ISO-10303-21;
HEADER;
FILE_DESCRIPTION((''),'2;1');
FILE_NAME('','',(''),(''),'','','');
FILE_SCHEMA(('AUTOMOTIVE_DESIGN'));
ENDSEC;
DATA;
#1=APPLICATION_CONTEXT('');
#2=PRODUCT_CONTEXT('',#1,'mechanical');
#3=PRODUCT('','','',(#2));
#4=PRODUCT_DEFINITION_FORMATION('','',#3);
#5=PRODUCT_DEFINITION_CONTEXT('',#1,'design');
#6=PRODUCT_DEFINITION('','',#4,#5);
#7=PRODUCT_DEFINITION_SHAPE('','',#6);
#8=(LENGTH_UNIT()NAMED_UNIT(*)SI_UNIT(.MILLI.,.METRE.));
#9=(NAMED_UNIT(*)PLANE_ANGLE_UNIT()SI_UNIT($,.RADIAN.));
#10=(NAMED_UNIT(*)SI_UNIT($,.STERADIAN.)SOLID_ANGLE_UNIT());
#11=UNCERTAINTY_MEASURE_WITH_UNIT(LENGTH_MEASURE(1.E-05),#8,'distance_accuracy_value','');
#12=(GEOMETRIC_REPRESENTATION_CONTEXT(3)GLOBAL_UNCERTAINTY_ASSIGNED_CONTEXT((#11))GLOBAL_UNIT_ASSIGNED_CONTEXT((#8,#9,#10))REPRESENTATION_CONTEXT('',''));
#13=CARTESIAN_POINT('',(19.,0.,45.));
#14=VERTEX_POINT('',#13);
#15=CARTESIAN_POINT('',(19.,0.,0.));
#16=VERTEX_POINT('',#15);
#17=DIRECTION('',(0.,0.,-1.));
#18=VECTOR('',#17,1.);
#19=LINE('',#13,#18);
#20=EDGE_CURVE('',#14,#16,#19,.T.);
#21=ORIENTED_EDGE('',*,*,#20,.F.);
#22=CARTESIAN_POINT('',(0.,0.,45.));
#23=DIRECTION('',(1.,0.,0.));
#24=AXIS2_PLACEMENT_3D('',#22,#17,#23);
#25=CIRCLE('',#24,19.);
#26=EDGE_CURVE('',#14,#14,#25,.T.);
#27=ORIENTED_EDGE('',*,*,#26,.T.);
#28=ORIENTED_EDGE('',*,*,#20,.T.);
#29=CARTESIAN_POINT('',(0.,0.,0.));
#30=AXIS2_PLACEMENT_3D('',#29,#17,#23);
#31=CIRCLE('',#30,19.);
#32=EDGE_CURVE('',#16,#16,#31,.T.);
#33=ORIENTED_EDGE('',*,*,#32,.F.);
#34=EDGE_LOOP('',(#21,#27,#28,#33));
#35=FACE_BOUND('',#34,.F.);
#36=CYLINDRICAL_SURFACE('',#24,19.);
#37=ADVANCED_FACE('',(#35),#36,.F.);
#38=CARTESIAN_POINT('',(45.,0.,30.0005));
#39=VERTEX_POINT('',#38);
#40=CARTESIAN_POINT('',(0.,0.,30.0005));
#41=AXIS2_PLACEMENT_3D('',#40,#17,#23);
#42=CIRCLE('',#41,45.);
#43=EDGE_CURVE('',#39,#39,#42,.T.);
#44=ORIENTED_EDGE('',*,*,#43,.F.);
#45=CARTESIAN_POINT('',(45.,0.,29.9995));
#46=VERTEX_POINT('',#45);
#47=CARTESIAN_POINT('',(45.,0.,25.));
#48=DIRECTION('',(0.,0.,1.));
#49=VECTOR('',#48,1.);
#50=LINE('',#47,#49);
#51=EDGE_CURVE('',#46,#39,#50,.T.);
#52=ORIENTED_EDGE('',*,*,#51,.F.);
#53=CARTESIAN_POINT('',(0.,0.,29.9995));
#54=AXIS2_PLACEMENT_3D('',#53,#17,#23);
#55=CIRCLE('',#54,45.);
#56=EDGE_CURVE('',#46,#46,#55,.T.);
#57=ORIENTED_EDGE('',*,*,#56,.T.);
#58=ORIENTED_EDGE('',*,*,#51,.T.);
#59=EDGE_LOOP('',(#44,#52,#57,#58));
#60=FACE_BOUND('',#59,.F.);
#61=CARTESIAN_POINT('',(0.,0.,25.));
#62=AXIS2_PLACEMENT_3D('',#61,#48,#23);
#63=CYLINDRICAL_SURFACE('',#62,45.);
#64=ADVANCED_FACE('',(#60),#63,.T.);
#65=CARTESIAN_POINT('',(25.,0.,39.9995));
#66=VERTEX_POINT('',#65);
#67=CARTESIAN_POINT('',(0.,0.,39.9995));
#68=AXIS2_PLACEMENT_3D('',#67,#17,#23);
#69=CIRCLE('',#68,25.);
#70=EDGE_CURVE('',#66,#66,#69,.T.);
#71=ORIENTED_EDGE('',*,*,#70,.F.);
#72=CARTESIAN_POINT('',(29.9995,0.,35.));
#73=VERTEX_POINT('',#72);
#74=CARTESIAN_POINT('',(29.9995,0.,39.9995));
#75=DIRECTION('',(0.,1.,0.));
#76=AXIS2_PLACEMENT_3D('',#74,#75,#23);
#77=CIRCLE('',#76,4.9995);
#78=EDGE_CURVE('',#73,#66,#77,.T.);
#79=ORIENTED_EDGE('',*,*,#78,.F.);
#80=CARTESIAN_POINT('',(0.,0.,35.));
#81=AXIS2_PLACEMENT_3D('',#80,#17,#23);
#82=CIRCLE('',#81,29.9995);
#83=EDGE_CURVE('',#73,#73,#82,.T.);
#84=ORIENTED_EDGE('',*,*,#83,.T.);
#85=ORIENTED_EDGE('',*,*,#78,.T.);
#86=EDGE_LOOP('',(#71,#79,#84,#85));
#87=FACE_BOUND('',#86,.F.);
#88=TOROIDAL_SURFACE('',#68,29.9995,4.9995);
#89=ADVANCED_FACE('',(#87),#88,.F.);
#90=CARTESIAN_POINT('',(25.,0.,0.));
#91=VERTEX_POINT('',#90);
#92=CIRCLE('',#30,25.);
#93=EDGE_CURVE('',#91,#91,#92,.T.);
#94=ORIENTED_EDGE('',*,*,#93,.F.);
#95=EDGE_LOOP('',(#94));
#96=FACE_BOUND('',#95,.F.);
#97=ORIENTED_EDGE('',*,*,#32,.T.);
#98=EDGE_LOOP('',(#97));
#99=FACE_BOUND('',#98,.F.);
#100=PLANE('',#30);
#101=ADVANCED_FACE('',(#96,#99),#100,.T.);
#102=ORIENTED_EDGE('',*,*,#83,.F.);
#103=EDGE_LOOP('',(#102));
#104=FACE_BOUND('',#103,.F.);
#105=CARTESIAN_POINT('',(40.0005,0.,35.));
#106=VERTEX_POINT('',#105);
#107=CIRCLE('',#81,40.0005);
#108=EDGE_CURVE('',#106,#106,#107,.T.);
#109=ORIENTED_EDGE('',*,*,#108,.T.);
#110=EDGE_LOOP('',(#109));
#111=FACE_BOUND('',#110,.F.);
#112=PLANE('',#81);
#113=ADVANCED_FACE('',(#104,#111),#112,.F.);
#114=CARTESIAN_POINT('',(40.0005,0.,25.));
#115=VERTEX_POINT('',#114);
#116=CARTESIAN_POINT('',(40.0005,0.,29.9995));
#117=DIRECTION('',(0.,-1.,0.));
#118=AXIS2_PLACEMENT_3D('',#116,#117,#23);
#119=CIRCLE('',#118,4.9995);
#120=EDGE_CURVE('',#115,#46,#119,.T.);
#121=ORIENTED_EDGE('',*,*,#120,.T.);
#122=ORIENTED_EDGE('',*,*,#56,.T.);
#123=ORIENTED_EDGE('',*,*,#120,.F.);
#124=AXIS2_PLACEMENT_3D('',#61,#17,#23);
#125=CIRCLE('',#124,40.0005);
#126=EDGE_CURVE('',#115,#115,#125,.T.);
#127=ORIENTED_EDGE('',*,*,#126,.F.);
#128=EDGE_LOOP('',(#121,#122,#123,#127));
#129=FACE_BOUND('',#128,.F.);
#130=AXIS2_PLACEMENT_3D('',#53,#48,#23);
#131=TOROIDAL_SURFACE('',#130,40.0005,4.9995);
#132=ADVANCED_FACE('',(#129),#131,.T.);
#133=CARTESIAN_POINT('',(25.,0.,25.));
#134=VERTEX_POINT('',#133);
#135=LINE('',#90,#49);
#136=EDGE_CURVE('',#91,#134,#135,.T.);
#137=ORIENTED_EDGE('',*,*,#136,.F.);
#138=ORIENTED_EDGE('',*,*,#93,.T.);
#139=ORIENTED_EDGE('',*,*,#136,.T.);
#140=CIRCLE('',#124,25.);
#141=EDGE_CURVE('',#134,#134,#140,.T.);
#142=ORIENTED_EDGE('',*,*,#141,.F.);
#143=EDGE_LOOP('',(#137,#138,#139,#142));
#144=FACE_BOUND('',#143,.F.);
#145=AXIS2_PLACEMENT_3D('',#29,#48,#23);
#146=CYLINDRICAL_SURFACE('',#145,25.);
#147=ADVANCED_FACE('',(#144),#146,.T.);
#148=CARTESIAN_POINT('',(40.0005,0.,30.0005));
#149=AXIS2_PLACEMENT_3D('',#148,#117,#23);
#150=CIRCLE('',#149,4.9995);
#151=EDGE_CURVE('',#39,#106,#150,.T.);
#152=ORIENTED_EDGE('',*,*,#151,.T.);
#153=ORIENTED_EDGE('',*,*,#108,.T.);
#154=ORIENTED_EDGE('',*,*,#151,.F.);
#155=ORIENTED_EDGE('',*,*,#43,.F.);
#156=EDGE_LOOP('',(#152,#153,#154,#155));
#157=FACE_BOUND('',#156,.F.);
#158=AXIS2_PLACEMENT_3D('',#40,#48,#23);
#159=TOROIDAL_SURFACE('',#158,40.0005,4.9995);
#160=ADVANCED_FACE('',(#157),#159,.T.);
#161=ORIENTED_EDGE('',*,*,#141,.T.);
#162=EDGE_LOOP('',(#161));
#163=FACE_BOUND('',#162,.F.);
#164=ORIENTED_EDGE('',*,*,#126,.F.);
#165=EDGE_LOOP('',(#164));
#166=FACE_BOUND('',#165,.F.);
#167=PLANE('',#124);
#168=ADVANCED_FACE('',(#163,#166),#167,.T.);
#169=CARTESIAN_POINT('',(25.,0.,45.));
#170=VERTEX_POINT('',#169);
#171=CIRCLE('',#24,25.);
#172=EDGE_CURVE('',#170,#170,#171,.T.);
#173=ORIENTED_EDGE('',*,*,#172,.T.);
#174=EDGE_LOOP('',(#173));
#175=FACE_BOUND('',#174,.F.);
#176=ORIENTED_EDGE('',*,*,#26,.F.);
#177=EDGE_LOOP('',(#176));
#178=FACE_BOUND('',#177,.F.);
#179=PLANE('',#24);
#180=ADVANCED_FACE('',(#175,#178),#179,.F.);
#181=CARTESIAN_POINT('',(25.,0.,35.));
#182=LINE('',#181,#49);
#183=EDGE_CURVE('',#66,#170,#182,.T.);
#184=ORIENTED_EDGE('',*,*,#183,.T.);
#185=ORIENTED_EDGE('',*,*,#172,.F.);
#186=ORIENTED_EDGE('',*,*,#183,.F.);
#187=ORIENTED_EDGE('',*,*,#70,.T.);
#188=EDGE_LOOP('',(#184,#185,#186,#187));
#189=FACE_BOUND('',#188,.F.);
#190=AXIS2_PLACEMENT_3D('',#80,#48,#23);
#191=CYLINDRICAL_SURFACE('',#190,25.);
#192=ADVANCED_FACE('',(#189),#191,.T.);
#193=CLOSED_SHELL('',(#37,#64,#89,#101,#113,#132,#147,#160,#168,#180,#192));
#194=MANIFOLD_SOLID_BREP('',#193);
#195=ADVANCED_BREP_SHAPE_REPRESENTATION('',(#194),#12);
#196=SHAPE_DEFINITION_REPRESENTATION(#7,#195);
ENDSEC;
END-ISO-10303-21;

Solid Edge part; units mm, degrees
sketch "Sketch1" plane through (0, 0, 0) normal (0, -1, 0) x (1, 0, 0)
  line L0 (19, 0) -> (25, 0)
  line L1 (25, 0) -> (25, 25)
  line L2 (25, 25) -> (45, 25)
  line L3 (45, 25) -> (45, 35)
  line L4 (45, 35) -> (25, 35)
  line L5 (25, 35) -> (25, 45)
  line L6 (25, 45) -> (19, 45)
  line L7 (19, 45) -> (19, 0)
  dimension "D1" = 19
  dimension "D2" = 25
  dimension "D3" = 45
revolve "RevolvedProtrusion1" add sketch "Sketch1" angle 360 about axis through (0, 0, 54) along (0, 0, -1)
fillet "Round1" radius 5 3 edges at (-25, 0, 35) (-45, 0, 35) (-45, 0, 25)
